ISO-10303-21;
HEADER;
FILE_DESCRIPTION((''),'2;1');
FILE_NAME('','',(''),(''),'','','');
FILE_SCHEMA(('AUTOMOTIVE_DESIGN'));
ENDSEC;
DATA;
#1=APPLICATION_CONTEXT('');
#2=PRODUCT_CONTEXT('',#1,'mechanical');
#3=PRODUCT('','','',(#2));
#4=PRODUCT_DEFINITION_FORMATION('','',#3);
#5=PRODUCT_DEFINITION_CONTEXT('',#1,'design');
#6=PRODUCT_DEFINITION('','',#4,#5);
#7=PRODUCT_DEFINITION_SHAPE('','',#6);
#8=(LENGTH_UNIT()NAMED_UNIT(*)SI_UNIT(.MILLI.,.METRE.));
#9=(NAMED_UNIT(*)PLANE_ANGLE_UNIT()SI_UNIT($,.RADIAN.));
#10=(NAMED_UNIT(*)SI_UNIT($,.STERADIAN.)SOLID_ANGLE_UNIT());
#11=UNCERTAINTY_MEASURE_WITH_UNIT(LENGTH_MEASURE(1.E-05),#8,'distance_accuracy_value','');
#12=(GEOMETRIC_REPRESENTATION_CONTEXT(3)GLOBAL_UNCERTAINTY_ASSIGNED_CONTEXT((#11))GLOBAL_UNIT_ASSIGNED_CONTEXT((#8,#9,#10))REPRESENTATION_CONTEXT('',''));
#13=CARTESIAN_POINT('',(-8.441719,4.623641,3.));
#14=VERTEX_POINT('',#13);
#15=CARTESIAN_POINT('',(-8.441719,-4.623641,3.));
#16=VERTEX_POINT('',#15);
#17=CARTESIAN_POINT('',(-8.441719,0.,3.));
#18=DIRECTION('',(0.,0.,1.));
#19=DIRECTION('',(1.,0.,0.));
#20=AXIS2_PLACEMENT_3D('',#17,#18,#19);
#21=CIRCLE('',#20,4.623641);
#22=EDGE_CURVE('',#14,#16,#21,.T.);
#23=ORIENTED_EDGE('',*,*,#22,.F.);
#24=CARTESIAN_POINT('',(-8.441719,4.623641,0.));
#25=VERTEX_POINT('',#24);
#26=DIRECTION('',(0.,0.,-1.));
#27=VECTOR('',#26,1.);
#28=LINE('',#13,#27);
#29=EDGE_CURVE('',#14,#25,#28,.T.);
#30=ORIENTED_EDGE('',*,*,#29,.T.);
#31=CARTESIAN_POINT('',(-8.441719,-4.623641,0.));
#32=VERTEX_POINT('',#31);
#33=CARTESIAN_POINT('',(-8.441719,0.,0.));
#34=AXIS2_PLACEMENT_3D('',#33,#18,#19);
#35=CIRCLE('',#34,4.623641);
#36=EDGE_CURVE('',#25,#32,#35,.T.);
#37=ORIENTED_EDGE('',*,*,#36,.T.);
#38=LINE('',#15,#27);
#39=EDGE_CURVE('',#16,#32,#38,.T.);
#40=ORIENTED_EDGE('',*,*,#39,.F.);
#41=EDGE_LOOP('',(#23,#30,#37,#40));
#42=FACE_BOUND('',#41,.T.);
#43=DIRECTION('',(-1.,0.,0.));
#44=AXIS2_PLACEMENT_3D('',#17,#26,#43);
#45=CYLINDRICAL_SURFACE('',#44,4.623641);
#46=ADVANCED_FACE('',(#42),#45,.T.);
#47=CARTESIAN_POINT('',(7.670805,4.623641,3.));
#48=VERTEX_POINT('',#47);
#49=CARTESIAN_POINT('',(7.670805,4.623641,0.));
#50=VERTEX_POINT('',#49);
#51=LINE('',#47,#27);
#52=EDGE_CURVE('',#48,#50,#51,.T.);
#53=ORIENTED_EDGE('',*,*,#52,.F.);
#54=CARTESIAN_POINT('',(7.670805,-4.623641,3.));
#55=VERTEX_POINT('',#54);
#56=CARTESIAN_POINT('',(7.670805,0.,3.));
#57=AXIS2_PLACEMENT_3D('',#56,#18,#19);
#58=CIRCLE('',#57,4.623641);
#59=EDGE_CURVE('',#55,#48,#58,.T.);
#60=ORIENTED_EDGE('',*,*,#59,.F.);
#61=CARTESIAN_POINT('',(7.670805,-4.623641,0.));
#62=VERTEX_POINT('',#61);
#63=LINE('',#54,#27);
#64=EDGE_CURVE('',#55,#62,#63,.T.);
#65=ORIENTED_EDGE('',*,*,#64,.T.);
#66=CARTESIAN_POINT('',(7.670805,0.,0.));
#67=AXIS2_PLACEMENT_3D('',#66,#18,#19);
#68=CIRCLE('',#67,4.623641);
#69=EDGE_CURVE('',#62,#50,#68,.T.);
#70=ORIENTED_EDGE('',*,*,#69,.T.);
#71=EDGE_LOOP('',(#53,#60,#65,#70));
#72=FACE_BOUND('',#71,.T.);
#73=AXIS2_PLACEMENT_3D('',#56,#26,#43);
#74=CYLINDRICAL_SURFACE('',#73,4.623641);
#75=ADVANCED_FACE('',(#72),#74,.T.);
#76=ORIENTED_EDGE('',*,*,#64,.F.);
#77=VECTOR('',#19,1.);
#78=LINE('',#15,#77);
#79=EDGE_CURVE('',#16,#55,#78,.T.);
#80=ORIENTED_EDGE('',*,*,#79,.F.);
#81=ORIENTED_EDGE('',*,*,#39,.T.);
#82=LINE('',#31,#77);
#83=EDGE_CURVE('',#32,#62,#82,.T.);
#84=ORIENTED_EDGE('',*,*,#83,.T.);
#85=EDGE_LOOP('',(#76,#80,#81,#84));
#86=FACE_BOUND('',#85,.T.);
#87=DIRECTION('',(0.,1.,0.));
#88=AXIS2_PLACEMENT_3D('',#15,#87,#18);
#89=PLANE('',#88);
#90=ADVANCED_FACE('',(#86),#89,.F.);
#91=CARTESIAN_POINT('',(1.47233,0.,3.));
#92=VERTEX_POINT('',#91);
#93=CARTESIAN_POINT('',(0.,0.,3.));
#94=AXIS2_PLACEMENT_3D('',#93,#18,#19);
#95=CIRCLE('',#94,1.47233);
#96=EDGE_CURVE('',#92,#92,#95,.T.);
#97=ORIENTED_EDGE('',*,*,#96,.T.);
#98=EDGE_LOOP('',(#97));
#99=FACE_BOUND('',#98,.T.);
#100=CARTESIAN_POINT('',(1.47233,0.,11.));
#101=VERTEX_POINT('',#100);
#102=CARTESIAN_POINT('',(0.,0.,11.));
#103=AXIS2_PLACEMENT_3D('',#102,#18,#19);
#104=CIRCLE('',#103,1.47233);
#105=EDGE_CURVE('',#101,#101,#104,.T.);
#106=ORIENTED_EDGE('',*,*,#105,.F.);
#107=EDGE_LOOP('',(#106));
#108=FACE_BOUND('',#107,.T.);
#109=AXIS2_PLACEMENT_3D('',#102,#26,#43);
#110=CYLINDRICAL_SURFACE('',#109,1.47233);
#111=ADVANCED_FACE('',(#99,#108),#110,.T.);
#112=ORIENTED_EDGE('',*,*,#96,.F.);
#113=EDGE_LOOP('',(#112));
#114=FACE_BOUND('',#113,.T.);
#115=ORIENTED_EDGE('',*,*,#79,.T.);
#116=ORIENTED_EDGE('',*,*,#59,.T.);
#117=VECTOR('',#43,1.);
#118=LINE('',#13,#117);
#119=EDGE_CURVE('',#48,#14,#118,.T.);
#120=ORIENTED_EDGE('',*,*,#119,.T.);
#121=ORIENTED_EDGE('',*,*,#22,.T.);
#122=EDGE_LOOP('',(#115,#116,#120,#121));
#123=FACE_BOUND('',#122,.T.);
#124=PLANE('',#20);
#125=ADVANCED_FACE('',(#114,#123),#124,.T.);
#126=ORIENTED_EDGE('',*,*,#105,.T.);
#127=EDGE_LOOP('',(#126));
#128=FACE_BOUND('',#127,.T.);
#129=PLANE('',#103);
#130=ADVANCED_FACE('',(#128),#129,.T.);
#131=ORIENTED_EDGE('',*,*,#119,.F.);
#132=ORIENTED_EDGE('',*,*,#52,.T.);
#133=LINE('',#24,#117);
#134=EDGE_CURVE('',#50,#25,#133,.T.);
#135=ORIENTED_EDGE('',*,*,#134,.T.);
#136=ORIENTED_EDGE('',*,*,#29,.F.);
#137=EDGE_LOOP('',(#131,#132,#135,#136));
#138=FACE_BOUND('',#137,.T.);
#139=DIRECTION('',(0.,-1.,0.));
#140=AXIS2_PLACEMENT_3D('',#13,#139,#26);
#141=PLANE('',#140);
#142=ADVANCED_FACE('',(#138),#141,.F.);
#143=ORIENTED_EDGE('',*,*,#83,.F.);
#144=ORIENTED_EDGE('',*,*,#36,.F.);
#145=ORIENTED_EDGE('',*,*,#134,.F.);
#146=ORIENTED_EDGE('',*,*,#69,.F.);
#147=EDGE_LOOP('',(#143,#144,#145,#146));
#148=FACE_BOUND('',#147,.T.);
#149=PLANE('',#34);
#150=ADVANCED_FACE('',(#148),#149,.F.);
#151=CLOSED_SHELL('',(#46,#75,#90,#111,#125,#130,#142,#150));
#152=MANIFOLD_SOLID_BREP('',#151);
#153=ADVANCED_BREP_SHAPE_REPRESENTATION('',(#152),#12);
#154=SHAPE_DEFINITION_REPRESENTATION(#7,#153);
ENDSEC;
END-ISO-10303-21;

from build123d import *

# Parameters (mm, degrees)
EXTRUDE_1_DEPTH = 3
SKETCH_2_R      = 1.472329888
EXTRUDE_2_DEPTH = 8


with BuildPart() as part:
    # 草图1 → 凸台-拉伸1 (new body)
    with BuildSketch(Plane.XY):
        with BuildLine():
            Line((-8.441718654, 4.62364067), (7.670804568, 4.62364067))
            ThreePointArc((7.670804568, 4.62364067), (12.294445238, 0), (7.670804568, -4.62364067))
            Line((7.670804568, -4.62364067), (-8.441718654, -4.62364067))
            ThreePointArc((-8.441718654, -4.62364067), (-13.065359324, 0), (-8.441718654, 4.62364067))
        make_face()
    extrude(amount=EXTRUDE_1_DEPTH)

    # 草图2 → 凸台-拉伸2 (add)
    with BuildSketch(Plane.XY.offset(3)):
        Circle(SKETCH_2_R)
    extrude(amount=EXTRUDE_2_DEPTH)


solid = part.part
